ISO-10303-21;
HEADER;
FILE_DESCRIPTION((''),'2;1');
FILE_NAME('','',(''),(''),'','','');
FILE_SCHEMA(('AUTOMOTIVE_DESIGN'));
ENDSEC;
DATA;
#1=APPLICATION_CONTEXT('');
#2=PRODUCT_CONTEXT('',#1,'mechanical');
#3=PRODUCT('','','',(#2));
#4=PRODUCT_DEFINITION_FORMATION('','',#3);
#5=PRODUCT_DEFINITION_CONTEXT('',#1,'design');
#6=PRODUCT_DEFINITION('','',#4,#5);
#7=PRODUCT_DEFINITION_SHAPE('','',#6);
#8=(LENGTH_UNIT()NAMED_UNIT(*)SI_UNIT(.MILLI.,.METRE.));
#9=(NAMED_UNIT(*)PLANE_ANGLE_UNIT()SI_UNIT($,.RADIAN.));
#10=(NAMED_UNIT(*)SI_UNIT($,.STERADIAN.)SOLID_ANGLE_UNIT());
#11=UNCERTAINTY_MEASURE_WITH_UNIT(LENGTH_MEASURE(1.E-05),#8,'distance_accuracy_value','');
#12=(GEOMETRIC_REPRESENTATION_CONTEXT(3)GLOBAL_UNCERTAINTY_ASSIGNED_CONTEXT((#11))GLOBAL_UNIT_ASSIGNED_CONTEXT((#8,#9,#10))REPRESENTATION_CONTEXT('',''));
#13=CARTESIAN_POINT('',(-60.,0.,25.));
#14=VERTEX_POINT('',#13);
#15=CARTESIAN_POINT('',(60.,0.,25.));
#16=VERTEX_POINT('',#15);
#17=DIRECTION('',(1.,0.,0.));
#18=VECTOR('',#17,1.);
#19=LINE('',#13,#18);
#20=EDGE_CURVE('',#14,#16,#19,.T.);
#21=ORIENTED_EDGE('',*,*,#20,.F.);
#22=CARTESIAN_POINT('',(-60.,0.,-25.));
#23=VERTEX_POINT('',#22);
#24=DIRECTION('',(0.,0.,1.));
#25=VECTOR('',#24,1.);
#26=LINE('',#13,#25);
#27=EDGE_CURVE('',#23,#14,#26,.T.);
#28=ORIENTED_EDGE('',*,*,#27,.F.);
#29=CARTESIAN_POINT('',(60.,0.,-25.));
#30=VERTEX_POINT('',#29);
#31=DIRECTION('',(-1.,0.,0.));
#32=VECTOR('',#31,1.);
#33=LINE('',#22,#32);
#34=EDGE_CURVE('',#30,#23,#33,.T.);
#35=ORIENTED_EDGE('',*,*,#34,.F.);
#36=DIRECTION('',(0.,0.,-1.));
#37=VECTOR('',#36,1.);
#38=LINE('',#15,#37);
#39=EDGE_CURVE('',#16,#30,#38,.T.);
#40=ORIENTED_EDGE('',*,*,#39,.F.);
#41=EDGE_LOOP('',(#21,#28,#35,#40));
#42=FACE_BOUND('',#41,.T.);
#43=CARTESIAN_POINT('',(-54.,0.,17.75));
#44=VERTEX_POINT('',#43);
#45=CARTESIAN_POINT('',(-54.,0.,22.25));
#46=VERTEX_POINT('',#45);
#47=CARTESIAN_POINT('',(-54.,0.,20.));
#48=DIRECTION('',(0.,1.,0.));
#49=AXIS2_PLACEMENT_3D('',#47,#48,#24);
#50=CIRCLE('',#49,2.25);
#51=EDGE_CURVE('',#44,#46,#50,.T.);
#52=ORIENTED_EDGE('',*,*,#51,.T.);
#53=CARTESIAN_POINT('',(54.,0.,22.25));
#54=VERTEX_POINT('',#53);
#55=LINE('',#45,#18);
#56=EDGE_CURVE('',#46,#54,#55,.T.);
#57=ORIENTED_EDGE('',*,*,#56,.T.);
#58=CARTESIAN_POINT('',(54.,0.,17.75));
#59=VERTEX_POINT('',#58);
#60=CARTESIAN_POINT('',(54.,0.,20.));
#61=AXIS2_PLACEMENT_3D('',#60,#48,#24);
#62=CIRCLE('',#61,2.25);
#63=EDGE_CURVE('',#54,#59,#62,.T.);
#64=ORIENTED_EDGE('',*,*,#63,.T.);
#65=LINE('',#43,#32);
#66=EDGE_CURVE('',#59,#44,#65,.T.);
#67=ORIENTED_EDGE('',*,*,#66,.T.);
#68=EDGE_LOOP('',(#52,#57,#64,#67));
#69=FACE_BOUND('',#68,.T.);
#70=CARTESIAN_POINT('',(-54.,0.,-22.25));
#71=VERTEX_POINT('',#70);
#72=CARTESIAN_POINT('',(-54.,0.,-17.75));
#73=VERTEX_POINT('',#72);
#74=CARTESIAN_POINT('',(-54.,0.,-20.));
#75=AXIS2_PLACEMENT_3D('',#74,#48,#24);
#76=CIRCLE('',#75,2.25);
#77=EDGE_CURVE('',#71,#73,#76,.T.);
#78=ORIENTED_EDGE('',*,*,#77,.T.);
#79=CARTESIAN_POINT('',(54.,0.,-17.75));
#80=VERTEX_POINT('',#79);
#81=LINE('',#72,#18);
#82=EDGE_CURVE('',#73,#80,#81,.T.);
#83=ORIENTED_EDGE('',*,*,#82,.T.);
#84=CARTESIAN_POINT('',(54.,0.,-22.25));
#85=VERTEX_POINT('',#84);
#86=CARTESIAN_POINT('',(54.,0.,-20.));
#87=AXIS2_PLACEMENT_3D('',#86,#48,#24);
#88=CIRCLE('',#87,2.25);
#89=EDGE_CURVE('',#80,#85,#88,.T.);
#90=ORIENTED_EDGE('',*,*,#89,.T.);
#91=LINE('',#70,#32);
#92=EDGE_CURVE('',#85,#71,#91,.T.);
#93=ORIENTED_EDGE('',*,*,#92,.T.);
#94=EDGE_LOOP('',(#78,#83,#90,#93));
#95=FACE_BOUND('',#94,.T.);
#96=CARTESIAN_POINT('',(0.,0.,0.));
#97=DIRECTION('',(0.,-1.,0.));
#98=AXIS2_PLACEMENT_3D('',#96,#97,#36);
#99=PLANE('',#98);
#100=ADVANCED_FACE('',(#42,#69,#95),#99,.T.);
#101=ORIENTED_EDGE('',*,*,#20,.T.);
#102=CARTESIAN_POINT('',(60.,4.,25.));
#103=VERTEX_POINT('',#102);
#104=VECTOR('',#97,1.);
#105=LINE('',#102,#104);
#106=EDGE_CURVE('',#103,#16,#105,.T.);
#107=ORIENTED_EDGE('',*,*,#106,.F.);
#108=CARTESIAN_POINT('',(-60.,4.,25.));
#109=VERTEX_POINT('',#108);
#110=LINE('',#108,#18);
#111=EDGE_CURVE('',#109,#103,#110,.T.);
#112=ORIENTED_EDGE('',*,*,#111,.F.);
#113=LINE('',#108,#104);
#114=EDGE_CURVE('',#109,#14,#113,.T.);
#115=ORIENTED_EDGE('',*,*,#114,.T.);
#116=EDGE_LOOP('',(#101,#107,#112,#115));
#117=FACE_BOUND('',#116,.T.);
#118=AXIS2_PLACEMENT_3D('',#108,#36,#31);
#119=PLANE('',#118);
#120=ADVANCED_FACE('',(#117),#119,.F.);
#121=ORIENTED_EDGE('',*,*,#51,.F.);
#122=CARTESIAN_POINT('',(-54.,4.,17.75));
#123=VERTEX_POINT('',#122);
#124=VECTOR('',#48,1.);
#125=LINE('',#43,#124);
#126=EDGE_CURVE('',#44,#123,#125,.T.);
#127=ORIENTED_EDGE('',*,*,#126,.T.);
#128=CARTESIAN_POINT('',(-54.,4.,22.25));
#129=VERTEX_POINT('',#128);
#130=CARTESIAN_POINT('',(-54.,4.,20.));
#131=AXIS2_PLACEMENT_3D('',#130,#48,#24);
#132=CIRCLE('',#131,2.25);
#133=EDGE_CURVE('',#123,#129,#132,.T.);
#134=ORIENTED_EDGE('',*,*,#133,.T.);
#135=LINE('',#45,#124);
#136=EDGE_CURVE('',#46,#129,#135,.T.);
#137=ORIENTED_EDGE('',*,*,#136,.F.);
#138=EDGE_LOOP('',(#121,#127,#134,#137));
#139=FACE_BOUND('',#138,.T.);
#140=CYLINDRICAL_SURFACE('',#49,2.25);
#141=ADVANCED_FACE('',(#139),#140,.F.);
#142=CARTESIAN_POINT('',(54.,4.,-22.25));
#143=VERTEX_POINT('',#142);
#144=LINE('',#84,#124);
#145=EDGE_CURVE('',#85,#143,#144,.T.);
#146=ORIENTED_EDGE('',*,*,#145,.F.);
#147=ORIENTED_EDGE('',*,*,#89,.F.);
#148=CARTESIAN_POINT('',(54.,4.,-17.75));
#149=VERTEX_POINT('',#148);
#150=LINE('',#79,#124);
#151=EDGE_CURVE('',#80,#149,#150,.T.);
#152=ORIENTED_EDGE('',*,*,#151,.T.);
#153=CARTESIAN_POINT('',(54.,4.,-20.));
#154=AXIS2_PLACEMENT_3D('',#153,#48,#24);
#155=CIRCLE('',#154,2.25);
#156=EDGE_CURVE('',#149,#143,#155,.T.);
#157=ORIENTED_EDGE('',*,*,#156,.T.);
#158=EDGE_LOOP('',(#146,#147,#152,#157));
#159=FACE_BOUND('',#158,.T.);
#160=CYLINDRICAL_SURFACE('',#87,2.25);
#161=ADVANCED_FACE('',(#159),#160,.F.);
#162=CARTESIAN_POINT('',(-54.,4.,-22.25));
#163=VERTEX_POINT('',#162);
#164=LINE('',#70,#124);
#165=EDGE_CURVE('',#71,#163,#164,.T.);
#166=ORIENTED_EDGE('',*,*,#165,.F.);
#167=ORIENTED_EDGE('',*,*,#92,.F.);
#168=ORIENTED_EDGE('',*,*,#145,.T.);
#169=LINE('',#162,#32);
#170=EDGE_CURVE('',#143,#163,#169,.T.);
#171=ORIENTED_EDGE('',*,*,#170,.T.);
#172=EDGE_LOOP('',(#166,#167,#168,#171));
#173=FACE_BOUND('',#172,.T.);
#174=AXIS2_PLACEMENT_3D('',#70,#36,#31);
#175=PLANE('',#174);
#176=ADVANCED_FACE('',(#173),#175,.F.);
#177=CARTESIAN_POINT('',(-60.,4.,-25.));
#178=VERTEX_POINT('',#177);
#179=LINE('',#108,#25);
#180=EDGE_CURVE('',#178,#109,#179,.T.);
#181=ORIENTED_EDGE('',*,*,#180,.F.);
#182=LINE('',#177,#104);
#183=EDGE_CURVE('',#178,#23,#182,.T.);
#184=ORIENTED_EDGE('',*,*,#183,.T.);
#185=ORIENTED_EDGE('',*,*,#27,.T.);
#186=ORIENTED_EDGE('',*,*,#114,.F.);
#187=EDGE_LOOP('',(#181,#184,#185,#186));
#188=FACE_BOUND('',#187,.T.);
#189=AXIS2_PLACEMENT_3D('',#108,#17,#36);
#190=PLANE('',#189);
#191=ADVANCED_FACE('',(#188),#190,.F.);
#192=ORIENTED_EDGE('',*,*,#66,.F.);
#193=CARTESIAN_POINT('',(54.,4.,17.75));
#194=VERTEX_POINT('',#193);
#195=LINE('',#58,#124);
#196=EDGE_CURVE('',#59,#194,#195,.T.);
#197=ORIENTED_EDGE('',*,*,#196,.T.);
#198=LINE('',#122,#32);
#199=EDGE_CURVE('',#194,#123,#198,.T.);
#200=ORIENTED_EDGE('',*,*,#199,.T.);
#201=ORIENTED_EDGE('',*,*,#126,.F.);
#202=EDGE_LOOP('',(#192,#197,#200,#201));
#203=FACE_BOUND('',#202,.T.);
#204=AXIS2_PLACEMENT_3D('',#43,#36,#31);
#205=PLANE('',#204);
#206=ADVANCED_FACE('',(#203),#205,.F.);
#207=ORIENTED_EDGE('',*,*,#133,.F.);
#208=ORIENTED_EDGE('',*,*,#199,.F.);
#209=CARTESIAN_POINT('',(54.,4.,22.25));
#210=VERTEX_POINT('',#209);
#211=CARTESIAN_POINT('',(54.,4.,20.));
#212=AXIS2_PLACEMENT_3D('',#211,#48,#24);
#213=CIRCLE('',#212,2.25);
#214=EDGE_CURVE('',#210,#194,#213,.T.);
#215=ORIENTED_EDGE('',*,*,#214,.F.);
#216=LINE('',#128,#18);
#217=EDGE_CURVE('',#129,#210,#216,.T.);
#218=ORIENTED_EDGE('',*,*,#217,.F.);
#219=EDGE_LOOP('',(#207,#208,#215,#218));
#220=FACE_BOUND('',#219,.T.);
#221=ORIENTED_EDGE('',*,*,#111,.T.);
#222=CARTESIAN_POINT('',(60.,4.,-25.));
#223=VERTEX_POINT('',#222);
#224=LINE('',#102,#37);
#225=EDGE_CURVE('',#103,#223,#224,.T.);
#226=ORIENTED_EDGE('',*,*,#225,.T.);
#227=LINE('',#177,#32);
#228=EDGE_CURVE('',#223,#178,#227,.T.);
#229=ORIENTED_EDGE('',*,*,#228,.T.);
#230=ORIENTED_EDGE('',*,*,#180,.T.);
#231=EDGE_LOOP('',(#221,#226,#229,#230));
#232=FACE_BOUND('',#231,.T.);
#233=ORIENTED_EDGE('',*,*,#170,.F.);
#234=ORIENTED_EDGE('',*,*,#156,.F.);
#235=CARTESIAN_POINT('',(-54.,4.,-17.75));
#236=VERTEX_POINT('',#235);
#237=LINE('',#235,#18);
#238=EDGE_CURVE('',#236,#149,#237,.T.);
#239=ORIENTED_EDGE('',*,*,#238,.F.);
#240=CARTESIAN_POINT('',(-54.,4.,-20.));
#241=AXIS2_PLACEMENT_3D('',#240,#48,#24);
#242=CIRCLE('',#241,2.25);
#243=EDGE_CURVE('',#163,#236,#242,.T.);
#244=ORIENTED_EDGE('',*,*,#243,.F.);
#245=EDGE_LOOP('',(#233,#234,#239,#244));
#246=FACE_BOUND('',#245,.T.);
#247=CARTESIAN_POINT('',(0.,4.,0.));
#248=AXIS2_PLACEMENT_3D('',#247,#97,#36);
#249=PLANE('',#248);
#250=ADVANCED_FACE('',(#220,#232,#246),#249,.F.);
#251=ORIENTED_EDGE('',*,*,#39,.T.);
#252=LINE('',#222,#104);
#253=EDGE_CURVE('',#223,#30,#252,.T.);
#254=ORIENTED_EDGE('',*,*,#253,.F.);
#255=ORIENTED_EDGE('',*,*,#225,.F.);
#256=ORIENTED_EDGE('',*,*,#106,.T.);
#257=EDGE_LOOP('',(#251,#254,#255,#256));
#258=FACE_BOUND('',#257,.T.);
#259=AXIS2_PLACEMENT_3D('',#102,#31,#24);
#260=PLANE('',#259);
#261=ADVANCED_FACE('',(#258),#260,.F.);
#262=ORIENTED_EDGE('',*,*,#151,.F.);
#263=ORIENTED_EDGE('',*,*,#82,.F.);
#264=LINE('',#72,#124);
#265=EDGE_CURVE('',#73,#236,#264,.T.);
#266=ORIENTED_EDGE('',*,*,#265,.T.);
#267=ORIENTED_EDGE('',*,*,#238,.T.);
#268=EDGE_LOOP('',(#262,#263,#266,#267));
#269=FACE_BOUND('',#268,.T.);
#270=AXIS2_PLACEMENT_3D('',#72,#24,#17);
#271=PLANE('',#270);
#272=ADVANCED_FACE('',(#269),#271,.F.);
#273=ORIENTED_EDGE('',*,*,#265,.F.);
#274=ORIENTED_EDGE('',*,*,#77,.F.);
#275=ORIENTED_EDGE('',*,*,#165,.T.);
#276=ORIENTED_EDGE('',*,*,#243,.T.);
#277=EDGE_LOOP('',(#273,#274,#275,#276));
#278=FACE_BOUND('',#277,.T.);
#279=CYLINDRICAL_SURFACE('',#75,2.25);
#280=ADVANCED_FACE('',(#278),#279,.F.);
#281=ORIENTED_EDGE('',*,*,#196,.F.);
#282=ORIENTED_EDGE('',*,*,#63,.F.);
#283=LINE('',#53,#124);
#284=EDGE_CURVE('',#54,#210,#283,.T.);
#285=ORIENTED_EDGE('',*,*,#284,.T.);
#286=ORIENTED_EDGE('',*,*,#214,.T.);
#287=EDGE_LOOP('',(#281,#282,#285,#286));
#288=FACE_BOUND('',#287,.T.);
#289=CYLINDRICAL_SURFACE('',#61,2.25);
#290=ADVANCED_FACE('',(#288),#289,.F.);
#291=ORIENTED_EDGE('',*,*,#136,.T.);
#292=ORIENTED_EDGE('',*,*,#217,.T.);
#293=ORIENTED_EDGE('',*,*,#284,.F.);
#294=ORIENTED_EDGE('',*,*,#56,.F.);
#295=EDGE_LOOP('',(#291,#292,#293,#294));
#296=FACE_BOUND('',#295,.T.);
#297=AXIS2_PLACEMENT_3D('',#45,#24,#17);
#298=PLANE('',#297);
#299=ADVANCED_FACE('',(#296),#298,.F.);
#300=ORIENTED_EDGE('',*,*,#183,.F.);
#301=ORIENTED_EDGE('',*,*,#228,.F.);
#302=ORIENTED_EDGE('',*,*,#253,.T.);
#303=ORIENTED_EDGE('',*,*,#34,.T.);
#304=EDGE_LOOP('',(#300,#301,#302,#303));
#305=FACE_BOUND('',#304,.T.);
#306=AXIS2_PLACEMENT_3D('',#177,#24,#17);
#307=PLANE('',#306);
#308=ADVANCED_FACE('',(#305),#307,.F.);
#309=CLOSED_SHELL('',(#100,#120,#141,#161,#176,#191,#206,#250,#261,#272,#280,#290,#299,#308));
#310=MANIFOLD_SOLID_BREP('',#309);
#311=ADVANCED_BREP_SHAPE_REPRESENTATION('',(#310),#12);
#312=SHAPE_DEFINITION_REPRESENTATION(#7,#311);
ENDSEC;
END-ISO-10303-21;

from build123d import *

# Parameters (mm, degrees)
SKETCH1_W           = 120
SKETCH1_H           = 50
BOSS_EXTRUDE1_DEPTH = 4
CUT_EXTRUDE1_DEPTH  = 66.122960621


with BuildPart() as part:
    # Sketch1 → Boss-Extrude1 (new body)
    with BuildSketch(Plane(origin=(0, 0, 0), x_dir=(1, 0, 0), z_dir=(0, 1, 0))):
        Rectangle(SKETCH1_W, SKETCH1_H)
    extrude(amount=BOSS_EXTRUDE1_DEPTH)

    # Sketch2 → Cut-Extrude1 (cut, through all)
    with BuildSketch(Plane(origin=(0, 4, 0), x_dir=(1, 0, 0), z_dir=(0, 1, 0))):
        with BuildLine():
            Line((-54, 22.25), (54, 22.25))
            ThreePointArc((54, 22.25), (56.25, 20), (54, 17.75))
            Line((54, 17.75), (-54, 17.75))
            ThreePointArc((-54, 17.75), (-56.25, 20), (-54, 22.25))
        make_face()
        with BuildLine():
            Line((-54, -17.75), (54, -17.75))
            ThreePointArc((54, -17.75), (56.25, -20), (54, -22.25))
            Line((54, -22.25), (-54, -22.25))
            ThreePointArc((-54, -22.25), (-56.25, -20), (-54, -17.75))
        make_face()
    extrude(amount=-CUT_EXTRUDE1_DEPTH, mode=Mode.SUBTRACT)


solid = part.part
